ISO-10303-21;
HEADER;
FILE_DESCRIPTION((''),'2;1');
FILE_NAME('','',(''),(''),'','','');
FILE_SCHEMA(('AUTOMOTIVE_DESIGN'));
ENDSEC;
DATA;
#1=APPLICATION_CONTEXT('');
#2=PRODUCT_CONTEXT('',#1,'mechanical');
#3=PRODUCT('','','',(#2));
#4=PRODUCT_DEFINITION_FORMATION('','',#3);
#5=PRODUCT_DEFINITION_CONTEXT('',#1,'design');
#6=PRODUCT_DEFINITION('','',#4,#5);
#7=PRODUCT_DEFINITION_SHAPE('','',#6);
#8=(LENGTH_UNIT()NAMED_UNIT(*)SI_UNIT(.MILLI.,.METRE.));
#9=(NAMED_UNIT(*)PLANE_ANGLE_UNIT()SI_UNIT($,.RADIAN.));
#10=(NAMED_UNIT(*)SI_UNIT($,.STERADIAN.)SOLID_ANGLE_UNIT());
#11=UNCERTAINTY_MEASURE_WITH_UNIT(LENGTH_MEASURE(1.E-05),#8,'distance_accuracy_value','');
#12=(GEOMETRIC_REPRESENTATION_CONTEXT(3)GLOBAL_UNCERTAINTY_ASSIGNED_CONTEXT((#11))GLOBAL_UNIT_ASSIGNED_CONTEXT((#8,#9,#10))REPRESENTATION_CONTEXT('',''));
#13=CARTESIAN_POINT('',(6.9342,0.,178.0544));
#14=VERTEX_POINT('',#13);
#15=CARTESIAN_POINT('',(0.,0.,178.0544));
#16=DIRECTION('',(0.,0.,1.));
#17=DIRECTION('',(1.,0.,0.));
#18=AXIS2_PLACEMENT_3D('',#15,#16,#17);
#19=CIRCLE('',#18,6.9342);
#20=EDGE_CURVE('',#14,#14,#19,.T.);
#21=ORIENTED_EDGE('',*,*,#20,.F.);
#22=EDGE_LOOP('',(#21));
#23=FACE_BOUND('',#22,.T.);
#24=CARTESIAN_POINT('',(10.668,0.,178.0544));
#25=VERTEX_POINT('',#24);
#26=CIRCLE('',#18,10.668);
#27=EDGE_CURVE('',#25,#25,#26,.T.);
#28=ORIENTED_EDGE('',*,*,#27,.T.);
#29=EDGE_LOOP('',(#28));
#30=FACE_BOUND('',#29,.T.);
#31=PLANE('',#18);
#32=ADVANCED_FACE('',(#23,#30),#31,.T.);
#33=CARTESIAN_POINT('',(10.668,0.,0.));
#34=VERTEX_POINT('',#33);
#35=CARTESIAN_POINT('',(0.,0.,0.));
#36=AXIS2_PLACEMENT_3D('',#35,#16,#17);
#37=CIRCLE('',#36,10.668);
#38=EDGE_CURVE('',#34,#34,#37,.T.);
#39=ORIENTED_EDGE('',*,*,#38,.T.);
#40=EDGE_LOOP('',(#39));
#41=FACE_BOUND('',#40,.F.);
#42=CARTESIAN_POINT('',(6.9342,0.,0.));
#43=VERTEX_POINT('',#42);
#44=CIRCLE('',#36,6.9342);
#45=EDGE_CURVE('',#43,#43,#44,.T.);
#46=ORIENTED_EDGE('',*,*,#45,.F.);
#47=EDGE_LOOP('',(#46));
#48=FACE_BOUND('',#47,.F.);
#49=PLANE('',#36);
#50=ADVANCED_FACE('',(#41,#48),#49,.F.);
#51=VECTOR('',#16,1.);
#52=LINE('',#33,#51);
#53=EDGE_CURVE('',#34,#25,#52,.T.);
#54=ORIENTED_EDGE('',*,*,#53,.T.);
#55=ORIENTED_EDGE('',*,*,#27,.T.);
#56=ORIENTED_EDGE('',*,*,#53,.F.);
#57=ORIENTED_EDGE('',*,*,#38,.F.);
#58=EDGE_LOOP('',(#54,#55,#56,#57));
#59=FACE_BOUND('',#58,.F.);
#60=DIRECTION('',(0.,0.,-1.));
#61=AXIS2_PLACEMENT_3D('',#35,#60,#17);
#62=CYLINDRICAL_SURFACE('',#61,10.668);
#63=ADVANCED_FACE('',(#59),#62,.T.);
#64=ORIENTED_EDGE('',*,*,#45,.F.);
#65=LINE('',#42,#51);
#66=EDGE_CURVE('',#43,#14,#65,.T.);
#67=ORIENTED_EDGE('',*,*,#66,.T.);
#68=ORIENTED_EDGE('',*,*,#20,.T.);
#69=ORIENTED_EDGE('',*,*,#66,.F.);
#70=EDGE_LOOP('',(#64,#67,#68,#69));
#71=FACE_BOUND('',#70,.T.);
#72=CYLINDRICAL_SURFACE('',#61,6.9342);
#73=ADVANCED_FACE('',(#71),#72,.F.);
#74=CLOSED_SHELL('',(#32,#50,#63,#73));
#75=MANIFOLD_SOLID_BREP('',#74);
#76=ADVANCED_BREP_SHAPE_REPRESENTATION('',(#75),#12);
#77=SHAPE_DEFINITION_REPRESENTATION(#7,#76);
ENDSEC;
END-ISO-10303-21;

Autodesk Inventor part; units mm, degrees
ref_plane "YZ Plane" through (0, 0, 0) normal (1, 0, 0) x (0, 1, 0)
ref_plane "Start Plane" through (0, 0, 0) normal (0, 0, 1) x (1, 0, 0)
ref_plane "End Plane" through (0, 0, 178.0544) normal (0, 0, 1) x (1, 0, 0)
sketch "Sketch" plane through (0, 0, 0) normal (0, 0, 1) x (1, 0, 0)
  circle A0 centre (0, 0) radius 6.9342
  circle A1 centre (0, 0) radius 10.668
  dimension "d0" = 21.336
  dimension "d1" = 3.7338
extrude "Body" add sketch "Sketch" along normal up to surface (178.0544 mm away) from surface at 0
sketch "Sketch3" plane through (0, 0, 0) normal (0, 0, 1) x (1, 0, 0)
  line L0 (0, 0) -> (10, 0)
ref_plane "Work Plane3" through (0, 0, 0) normal (0, -1, 0) x (1, 0, 0)
sketch "Sketch4" plane through (0, 0, 0) normal (0, -1, 0) x (1, 0, 0)
  line L0 (-2, 0) -> (12, 0)
  line L1 (-2, 178.0544) -> (12, 178.0544)
  dimension "d7" = 178.0543
equation "\"d0\" = G_H"
equation "\"d1\" = G_T"
equation "\"d2\" = G_L"
equation "\"G_H\" = 21.336"
equation "\"G_T\" = 3.7338"
equation "\"G_L\" = d7"
equation "\"G_OFFSET_START\" = 0"
equation "\"G_OFFSET_END\" = 0"
equation "\"d5\" = G_OFFSET_END + B_L"
equation "\"B_L\" = 178.05435"
properties part number "ANSI - 1/2 x 0.147 - 7.01" material "Steel, Mild"
